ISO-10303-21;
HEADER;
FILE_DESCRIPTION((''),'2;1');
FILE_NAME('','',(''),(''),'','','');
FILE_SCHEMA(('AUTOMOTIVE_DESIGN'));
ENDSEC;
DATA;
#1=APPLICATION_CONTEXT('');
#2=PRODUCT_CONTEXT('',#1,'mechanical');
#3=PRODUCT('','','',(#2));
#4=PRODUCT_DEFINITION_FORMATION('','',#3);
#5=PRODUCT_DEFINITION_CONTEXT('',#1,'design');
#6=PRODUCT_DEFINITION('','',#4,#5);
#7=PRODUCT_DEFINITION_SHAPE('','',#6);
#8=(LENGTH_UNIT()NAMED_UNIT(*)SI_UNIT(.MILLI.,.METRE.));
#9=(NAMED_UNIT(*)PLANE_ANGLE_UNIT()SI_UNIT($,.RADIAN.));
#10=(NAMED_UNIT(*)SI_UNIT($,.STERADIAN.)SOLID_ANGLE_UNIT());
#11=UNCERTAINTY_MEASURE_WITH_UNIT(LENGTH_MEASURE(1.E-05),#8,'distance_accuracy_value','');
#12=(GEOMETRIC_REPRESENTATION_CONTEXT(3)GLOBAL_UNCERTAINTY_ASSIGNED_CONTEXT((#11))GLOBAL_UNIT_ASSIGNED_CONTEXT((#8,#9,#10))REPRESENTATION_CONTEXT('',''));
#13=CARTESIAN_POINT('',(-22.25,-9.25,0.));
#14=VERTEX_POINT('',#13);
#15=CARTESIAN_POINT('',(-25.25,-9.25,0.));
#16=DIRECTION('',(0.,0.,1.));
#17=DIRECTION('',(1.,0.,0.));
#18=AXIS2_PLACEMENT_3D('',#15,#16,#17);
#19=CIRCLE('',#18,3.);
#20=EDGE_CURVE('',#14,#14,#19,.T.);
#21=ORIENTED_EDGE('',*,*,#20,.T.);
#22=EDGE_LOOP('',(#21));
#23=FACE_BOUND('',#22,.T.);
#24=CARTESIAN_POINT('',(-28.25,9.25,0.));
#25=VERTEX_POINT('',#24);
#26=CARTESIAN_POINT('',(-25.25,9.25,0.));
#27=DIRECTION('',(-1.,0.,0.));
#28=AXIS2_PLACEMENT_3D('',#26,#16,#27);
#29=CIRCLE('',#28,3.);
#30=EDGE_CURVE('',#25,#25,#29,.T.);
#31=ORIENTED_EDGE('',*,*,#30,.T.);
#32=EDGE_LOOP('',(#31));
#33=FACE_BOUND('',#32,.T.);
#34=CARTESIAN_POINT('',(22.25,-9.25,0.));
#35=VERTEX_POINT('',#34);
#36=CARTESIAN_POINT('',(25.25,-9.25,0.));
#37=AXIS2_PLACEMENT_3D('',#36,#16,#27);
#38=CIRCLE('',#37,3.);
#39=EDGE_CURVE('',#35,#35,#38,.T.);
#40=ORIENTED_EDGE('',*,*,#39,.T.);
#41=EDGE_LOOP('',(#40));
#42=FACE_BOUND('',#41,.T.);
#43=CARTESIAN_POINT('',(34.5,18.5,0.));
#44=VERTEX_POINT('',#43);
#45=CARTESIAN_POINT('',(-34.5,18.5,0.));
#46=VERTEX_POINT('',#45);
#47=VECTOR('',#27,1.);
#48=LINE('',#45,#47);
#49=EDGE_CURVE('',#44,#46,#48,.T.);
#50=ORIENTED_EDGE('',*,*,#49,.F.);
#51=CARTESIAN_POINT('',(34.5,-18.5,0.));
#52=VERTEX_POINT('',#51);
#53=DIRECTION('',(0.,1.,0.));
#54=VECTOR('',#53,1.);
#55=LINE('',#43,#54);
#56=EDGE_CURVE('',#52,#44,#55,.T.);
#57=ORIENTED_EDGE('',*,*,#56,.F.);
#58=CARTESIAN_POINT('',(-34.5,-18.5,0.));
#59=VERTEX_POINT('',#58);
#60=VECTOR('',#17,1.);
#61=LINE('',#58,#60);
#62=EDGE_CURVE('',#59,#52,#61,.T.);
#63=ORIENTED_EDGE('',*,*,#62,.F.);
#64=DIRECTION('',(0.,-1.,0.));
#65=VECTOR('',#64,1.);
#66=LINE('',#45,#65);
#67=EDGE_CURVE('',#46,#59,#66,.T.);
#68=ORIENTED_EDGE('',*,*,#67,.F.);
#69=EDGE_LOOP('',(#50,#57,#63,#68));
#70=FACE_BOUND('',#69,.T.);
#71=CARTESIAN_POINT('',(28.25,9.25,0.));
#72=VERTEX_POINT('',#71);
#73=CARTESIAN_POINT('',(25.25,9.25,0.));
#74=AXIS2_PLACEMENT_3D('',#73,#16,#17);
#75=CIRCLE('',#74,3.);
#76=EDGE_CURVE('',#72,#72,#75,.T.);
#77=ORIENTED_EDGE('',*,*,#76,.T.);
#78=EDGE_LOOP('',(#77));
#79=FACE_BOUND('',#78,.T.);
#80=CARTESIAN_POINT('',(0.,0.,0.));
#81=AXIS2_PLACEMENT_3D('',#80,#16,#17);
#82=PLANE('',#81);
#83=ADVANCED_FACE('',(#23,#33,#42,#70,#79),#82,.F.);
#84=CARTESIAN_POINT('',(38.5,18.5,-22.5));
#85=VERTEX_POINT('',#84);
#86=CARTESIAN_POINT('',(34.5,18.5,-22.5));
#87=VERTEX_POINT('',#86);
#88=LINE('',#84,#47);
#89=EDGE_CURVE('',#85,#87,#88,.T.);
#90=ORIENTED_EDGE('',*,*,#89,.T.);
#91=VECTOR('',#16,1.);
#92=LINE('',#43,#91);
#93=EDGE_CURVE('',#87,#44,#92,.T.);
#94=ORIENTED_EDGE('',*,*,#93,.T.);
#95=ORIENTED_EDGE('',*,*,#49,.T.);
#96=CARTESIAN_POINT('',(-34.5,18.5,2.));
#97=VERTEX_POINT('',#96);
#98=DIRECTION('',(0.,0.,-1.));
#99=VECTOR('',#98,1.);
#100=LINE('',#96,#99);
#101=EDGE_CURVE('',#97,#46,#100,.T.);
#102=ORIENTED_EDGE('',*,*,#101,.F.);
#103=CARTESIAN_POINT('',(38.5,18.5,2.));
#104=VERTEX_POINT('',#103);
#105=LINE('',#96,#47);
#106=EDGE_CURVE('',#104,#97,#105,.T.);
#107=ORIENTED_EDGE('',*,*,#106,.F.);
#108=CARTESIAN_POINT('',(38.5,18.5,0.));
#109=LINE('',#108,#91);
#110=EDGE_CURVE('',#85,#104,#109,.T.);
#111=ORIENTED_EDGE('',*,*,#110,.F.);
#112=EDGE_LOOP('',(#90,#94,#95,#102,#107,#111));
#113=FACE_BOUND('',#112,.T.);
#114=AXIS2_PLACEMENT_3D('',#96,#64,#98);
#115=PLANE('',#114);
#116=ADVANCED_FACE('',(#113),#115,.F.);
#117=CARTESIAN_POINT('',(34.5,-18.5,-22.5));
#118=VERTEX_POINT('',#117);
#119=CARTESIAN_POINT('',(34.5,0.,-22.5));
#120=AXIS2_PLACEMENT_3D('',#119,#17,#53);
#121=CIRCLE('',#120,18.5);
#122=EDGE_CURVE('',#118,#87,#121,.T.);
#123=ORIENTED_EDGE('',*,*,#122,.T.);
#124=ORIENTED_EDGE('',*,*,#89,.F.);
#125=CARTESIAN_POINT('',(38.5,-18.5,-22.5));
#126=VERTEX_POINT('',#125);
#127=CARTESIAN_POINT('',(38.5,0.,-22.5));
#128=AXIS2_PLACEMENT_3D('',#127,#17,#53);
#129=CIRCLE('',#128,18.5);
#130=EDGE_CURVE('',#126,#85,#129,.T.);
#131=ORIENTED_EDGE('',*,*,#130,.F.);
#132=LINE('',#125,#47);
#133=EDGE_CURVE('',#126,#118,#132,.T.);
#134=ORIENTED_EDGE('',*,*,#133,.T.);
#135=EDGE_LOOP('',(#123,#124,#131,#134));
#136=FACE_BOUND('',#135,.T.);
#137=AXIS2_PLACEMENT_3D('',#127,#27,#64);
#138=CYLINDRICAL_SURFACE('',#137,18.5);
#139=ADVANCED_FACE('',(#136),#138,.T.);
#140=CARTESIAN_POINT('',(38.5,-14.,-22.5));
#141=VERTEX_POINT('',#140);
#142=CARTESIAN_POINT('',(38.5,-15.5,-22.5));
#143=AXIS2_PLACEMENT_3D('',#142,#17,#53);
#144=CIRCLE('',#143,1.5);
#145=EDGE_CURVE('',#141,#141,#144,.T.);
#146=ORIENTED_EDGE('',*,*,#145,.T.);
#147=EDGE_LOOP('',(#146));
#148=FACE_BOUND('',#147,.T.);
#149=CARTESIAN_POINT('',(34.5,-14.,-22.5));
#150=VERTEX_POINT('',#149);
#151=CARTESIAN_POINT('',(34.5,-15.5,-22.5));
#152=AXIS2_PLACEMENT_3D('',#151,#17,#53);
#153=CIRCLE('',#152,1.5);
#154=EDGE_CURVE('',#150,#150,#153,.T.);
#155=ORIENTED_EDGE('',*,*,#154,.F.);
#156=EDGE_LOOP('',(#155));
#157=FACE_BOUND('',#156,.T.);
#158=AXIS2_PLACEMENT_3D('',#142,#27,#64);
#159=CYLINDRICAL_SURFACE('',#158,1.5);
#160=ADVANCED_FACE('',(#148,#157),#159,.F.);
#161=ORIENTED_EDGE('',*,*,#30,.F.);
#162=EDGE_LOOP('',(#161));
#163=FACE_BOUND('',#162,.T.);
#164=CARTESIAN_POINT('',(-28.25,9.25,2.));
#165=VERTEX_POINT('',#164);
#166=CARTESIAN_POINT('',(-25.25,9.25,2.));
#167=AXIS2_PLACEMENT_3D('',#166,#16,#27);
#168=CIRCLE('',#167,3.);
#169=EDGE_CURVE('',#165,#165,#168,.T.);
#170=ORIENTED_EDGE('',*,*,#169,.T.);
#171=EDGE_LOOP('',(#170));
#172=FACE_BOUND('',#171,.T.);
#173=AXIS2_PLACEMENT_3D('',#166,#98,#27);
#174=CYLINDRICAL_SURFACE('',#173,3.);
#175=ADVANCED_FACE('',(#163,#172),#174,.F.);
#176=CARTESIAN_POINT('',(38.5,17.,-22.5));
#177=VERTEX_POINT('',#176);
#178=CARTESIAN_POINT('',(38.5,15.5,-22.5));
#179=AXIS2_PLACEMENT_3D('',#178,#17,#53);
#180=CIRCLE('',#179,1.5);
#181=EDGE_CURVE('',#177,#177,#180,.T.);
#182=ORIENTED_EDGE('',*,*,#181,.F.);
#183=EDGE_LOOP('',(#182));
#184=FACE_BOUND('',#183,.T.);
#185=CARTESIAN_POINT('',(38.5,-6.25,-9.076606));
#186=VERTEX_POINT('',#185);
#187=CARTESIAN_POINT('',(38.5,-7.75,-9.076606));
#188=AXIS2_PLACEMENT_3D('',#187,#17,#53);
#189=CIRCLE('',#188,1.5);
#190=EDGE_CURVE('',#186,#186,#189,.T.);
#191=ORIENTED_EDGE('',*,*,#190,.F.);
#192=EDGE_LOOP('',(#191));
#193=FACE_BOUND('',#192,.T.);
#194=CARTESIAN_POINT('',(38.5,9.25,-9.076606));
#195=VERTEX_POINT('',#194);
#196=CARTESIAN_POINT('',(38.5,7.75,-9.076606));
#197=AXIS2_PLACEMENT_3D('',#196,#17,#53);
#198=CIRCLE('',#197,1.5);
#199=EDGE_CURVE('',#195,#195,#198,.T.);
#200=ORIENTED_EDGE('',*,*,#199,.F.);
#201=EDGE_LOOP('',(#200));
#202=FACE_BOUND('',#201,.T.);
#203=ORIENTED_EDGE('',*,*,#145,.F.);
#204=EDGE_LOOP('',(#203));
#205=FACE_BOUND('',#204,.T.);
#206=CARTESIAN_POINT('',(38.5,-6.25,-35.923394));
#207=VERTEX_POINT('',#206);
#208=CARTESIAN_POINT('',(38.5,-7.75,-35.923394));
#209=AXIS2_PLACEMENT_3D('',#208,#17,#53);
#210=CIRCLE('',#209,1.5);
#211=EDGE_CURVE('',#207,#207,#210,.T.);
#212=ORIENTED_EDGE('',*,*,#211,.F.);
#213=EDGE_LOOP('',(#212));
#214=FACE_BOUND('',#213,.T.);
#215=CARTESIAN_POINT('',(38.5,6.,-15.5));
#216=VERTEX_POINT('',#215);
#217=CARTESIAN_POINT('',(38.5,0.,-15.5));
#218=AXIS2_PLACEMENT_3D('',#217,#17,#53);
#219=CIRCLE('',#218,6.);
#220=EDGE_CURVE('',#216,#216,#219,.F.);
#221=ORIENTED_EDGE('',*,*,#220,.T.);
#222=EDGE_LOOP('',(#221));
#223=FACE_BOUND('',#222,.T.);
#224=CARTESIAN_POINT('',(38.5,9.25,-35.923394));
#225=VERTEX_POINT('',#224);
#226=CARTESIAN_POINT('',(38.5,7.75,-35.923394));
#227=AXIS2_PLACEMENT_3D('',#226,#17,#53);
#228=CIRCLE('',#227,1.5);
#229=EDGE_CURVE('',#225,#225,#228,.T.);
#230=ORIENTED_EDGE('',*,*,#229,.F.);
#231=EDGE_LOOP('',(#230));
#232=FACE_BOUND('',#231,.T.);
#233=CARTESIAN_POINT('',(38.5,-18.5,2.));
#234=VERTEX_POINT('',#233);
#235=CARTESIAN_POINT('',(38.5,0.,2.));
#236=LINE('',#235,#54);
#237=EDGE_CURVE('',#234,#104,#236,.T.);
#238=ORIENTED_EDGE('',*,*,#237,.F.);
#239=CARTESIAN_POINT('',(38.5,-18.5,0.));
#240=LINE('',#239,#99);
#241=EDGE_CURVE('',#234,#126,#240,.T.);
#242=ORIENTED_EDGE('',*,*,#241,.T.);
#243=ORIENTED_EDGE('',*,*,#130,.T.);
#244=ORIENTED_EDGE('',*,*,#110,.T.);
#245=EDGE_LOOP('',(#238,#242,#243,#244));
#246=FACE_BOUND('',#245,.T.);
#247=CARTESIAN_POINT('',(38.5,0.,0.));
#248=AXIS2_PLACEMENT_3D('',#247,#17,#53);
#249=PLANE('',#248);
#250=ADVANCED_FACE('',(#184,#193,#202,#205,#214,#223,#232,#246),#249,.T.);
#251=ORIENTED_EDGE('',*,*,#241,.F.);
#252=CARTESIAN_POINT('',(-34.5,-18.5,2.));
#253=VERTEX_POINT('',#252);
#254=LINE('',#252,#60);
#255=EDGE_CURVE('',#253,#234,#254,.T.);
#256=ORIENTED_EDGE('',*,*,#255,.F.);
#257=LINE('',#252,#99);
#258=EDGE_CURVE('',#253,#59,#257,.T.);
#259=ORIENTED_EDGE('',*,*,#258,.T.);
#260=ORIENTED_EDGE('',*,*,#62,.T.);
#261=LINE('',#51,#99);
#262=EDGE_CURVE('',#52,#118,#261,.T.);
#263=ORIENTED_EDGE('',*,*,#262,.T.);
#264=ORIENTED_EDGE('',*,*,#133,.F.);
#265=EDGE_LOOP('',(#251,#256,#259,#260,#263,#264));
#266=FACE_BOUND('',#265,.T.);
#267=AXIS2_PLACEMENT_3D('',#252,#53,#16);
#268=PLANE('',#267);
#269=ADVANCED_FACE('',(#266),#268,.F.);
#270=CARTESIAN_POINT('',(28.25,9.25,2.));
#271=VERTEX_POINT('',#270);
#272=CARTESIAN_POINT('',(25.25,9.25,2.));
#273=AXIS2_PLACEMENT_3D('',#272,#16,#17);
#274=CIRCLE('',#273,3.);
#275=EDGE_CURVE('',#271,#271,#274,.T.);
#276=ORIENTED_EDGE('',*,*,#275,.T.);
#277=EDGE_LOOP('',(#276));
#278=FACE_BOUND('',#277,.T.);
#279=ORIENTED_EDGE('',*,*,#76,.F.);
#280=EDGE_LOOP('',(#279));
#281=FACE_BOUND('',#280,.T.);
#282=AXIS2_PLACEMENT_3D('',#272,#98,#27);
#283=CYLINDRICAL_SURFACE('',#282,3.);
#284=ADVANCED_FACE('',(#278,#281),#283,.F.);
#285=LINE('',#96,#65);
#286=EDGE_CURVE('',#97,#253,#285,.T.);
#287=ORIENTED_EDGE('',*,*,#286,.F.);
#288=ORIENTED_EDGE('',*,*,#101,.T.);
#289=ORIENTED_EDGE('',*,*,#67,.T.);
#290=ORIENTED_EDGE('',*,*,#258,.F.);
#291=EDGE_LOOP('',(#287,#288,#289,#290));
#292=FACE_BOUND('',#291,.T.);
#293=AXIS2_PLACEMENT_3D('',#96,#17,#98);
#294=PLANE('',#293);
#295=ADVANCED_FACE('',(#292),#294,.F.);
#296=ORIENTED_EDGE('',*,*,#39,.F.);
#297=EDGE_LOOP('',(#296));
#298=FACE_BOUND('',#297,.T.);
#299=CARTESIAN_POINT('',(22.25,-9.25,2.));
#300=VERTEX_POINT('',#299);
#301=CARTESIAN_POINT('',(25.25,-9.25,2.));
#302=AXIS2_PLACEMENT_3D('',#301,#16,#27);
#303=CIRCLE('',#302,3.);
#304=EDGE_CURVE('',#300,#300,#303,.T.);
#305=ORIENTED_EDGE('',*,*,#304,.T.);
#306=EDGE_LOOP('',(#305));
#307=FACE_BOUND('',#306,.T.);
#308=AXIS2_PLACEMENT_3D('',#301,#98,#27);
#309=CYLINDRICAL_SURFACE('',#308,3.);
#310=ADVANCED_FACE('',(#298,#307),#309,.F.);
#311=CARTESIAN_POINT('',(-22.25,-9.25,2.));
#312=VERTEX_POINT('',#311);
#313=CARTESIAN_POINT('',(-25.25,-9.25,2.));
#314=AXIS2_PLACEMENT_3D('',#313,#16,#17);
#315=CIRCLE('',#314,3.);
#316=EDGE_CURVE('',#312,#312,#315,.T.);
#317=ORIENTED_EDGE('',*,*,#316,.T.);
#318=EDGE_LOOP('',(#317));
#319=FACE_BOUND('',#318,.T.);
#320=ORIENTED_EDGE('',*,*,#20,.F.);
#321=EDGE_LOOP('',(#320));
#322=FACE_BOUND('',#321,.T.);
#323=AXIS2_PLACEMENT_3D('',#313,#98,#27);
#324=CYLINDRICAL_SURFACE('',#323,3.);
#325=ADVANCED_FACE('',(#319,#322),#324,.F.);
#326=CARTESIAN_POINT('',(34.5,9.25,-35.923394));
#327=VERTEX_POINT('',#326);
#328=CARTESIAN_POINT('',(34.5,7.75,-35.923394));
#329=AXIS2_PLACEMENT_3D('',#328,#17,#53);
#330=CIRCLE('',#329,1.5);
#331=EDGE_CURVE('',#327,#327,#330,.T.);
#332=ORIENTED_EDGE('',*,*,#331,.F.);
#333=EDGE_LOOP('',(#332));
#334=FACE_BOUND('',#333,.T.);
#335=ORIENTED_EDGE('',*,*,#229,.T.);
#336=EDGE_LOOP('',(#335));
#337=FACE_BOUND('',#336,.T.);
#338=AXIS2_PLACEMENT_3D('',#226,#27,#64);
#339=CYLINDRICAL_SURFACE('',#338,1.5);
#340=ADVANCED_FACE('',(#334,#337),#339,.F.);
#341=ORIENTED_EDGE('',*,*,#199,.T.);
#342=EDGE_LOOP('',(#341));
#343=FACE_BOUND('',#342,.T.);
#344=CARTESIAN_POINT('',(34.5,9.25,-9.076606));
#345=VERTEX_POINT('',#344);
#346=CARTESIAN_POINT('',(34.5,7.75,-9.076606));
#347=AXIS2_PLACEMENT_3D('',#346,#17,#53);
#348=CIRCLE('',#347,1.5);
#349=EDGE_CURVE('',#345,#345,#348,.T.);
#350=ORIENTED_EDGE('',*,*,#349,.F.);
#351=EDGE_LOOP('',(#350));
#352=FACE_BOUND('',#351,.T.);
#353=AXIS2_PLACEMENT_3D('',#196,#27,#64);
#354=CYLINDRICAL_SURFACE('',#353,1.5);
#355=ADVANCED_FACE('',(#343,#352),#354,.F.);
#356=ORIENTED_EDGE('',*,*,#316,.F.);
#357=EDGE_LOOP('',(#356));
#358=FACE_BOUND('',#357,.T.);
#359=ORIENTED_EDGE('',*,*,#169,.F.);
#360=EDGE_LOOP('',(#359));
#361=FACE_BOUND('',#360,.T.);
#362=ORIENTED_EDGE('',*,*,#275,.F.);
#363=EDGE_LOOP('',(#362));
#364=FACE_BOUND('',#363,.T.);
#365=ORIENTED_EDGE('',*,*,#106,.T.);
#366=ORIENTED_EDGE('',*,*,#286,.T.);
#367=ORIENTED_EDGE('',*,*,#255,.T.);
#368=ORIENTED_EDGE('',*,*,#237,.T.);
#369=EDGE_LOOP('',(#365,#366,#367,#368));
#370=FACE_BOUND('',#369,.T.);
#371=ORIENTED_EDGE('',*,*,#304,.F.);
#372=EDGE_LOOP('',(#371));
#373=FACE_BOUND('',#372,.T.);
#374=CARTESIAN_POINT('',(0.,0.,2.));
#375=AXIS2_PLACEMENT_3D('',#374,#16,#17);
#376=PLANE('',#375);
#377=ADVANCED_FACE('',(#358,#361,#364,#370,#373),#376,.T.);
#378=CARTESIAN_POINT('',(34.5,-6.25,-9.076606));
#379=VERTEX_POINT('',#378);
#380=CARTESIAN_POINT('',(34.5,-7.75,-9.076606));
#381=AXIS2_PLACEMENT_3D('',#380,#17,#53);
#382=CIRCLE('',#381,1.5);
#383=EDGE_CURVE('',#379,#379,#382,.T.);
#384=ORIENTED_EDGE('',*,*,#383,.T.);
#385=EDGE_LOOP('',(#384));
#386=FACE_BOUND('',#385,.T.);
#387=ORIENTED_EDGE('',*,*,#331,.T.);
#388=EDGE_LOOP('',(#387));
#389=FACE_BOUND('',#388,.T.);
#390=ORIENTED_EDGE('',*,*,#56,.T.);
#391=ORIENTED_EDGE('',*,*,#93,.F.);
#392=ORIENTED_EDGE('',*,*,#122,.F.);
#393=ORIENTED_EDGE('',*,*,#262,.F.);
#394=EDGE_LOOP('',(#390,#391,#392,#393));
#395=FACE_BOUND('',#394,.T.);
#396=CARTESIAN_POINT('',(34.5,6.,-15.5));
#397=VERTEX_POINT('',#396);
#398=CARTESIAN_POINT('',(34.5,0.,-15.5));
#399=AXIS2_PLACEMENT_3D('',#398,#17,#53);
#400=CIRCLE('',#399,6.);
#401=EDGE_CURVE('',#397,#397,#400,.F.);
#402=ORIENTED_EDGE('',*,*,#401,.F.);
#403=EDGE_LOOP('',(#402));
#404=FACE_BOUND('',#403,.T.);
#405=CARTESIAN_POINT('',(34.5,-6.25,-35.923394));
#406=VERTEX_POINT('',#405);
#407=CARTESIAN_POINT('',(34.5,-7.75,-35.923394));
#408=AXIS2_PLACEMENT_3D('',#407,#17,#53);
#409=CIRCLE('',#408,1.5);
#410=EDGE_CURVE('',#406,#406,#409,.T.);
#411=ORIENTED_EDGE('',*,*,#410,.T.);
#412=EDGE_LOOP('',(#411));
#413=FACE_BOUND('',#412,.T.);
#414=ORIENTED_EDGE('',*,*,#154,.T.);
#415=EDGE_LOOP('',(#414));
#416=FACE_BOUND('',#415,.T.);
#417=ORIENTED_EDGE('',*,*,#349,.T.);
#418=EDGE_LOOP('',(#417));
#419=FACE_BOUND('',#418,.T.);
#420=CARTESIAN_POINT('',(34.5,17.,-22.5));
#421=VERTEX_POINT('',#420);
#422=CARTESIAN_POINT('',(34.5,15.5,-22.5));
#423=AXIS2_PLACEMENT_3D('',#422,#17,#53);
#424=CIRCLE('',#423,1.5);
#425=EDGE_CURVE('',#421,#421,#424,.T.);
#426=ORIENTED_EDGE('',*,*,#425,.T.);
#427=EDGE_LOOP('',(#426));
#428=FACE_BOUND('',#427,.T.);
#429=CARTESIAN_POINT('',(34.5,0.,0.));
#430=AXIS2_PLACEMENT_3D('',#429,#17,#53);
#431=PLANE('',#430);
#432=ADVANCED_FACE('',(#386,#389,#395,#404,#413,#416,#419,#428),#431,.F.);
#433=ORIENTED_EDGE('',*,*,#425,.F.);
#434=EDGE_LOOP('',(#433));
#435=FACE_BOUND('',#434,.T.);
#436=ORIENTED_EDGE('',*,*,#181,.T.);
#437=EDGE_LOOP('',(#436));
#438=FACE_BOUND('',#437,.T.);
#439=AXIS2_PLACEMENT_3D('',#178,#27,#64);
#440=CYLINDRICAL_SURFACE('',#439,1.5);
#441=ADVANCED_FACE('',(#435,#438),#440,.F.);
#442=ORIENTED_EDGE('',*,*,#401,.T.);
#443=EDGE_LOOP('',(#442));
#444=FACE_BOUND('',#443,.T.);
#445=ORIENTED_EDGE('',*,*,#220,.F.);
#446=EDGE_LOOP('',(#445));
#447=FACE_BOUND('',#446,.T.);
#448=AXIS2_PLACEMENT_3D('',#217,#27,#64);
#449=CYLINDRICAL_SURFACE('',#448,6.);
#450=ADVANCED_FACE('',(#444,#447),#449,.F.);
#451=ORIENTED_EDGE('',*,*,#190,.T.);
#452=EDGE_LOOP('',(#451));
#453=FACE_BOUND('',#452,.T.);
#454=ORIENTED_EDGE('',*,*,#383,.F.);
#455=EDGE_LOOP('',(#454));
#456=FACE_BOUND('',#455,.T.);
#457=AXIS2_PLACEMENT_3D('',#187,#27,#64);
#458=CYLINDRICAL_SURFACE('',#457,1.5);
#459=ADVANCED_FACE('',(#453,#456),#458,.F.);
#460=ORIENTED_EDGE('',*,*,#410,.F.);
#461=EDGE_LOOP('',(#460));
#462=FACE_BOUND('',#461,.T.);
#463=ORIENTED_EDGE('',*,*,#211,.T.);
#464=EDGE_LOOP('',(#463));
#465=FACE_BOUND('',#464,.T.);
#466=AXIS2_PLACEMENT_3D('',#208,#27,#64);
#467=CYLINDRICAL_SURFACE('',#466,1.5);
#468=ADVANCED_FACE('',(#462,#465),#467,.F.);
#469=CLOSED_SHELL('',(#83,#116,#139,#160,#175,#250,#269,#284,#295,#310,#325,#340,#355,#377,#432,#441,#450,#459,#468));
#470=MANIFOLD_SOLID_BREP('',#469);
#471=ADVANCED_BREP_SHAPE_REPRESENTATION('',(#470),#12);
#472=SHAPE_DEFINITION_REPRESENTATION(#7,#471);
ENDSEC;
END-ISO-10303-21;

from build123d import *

# Parameters (mm, degrees)
SKETCH_2_W      = 69
SKETCH_2_H      = 37
SKETCH_2_R      = 3
EXTRUDE_1_DEPTH = 2
SKETCH_3_W      = 2
SKETCH_3_H      = 37
SKETCH_3_R      = 1.5
SKETCH_3_R_2    = 6
EXTRUDE_2_DEPTH = 4


with BuildPart() as part:
    # 草图2 → 凸台-拉伸1 (new body)
    with BuildSketch(Plane.XY):
        Rectangle(SKETCH_2_W, SKETCH_2_H)
        with Locations((25.25, 9.25)):
            Circle(SKETCH_2_R, mode=Mode.SUBTRACT)
        with Locations(Location((25.25, -9.25, 0), (0, 0, 180))):
            Circle(SKETCH_2_R, mode=Mode.SUBTRACT)
        with Locations(Location((-25.25, 9.25, 0), (0, 0, 180))):
            Circle(SKETCH_2_R, mode=Mode.SUBTRACT)
        with Locations((-25.25, -9.25)):
            Circle(SKETCH_2_R, mode=Mode.SUBTRACT)
    extrude(amount=EXTRUDE_1_DEPTH)

    # 草图3 → 凸台-拉伸2 (add)
    # profile 1 of 3: a face of its own
    with BuildSketch(Plane(origin=(34.5, 0, 0), x_dir=(0, 0, -1), z_dir=(1, 0, 0))):
        with BuildLine():
            ThreePointArc((22.5, -18.5), (4, 0), (22.5, 18.5))
            Line((22.5, 18.5), (0, 18.5))
            Line((0, 18.5), (0, -18.5))
            Line((0, -18.5), (22.5, -18.5))
        make_face()
    # profile 2 of 3: a face of its own
    with BuildSketch(Plane(origin=(34.5, 0, 0), x_dir=(0, 0, -1), z_dir=(1, 0, 0))):
        with Locations((-1, 0)):
            Rectangle(SKETCH_3_W, SKETCH_3_H)
    # profile 3 of 3: a face of its own
    with BuildSketch(Plane(origin=(34.5, 0, 0), x_dir=(0, 0, -1), z_dir=(1, 0, 0))):
        with BuildLine():
            ThreePointArc((41, 0), (35.581475452, 13.081475452), (22.5, 18.5))
            ThreePointArc((22.5, 18.5), (4, 0), (22.5, -18.5))
            ThreePointArc((22.5, -18.5), (35.581475452, -13.081475452), (41, 0))
        make_face()
        with Locations(Location((9.076606241, -7.75, 0), (0, 0, 90))):
            Circle(SKETCH_3_R, mode=Mode.SUBTRACT)
        with Locations(Location((22.5, -15.5, 0), (0, 0, 90))):
            Circle(SKETCH_3_R, mode=Mode.SUBTRACT)
        with Locations(Location((35.923393759, -7.75, 0), (0, 0, 90))):
            Circle(SKETCH_3_R, mode=Mode.SUBTRACT)
        with Locations(Location((15.5, 0, 0), (0, 0, 90))):
            Circle(SKETCH_3_R_2, mode=Mode.SUBTRACT)
        with Locations(Location((9.076606241, 7.75, 0), (0, 0, 90))):
            Circle(SKETCH_3_R, mode=Mode.SUBTRACT)
        with Locations(Location((35.923393759, 7.75, 0), (0, 0, 90))):
            Circle(SKETCH_3_R, mode=Mode.SUBTRACT)
        with Locations(Location((22.5, 15.5, 0), (0, 0, 90))):
            Circle(SKETCH_3_R, mode=Mode.SUBTRACT)
    extrude(amount=EXTRUDE_2_DEPTH)


solid = part.part
